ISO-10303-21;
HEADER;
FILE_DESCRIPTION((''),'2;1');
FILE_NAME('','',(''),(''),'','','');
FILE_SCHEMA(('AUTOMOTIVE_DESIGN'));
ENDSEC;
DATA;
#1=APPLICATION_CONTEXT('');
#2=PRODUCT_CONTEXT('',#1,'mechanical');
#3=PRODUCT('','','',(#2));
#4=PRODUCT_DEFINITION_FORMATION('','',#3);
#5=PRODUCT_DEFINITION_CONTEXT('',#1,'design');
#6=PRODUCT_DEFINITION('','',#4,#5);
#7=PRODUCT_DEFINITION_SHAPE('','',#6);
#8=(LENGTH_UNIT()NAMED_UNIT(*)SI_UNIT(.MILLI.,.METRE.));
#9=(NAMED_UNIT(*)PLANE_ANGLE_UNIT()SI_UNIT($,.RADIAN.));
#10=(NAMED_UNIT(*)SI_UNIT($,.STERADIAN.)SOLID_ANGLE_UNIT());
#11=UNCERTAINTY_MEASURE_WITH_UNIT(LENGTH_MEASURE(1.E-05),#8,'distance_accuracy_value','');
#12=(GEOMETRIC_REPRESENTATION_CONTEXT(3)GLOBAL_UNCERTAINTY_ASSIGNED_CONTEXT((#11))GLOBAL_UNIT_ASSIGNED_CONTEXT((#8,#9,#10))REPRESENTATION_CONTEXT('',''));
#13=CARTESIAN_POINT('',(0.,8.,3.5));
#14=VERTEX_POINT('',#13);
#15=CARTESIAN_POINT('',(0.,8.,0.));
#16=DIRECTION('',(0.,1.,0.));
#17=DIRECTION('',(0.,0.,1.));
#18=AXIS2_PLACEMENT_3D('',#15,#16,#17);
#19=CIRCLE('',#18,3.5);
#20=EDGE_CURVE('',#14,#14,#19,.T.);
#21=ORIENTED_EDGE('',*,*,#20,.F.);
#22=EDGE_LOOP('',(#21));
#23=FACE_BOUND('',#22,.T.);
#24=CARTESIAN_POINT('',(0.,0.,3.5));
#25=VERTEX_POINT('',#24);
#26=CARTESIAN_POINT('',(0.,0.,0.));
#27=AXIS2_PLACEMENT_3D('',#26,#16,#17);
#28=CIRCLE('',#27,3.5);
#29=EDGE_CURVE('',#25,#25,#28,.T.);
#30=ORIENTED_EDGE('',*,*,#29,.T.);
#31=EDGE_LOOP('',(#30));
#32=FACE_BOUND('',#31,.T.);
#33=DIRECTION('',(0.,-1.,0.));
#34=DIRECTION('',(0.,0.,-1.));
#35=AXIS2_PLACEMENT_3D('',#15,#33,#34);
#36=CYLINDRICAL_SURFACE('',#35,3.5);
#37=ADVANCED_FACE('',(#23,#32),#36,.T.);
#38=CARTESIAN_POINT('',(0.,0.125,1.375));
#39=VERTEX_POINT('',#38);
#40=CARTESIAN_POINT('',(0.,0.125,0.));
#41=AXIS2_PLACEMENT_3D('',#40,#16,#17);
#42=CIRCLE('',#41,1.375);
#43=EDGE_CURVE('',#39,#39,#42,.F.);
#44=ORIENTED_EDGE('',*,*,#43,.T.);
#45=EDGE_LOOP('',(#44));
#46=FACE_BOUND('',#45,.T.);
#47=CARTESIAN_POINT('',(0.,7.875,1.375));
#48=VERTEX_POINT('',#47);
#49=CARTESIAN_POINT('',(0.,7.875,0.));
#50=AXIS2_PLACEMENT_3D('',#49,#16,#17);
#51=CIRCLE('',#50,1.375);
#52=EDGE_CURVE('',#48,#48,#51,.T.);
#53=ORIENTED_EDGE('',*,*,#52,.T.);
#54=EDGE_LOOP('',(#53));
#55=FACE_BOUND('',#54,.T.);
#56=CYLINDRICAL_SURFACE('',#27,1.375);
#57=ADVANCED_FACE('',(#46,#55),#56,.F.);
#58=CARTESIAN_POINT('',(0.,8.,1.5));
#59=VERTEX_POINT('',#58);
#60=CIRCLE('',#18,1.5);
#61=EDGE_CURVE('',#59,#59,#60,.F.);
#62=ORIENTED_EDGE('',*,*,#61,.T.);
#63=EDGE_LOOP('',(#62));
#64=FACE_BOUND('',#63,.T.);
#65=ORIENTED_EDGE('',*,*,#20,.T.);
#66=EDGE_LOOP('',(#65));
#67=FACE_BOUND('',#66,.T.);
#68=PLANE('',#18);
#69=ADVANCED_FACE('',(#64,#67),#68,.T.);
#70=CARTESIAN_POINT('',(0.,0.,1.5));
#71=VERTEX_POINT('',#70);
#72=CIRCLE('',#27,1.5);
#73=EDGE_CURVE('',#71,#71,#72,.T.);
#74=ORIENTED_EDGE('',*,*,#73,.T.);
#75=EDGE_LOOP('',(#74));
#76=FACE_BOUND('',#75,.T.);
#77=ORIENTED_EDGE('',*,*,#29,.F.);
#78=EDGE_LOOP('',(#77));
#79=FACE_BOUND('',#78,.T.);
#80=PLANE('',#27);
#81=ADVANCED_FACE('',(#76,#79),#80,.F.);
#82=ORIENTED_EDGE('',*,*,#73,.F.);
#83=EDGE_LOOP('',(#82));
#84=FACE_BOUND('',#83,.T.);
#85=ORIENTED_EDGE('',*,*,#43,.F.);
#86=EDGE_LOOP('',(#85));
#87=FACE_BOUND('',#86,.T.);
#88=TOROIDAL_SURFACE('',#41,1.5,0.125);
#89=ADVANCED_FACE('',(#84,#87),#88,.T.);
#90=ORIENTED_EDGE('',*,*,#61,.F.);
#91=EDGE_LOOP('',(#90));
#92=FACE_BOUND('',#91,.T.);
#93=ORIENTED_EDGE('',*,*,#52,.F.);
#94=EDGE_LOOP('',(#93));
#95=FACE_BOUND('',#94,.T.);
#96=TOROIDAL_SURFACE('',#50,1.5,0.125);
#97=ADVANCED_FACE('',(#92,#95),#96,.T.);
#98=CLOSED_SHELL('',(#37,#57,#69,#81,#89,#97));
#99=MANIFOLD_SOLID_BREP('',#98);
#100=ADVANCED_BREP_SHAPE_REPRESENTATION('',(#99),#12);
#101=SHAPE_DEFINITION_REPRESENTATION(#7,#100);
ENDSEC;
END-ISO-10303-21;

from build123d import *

# Parameters (mm, degrees)
SKETCH1_R           = 3.5
BOSS_EXTRUDE1_DEPTH = 8
SKETCH2_R           = 1.375
CUT_EXTRUDE1_DEPTH  = 8
FILLET1_R           = 0.125


with BuildPart() as part:
    # Sketch1 → Boss-Extrude1 (new body)
    with BuildSketch(Plane(origin=(0, 0, 0), x_dir=(1, 0, 0), z_dir=(0, 1, 0))):
        Circle(SKETCH1_R)
    extrude(amount=BOSS_EXTRUDE1_DEPTH)

    # Sketch2 → Cut-Extrude1 (cut)
    with BuildSketch(Plane(origin=(0, 8, 0), x_dir=(1, 0, 0), z_dir=(0, 1, 0))):
        Circle(SKETCH2_R)
    extrude(amount=-CUT_EXTRUDE1_DEPTH, mode=Mode.SUBTRACT)

    # Fillet1
    fillet1_edges = [part.edges().sort_by_distance(p)[0] for p in [
        (-1.375, 0, 0),
        (-1.375, 8, 0),
    ]]
    fillet(fillet1_edges, radius=FILLET1_R)


solid = part.part
